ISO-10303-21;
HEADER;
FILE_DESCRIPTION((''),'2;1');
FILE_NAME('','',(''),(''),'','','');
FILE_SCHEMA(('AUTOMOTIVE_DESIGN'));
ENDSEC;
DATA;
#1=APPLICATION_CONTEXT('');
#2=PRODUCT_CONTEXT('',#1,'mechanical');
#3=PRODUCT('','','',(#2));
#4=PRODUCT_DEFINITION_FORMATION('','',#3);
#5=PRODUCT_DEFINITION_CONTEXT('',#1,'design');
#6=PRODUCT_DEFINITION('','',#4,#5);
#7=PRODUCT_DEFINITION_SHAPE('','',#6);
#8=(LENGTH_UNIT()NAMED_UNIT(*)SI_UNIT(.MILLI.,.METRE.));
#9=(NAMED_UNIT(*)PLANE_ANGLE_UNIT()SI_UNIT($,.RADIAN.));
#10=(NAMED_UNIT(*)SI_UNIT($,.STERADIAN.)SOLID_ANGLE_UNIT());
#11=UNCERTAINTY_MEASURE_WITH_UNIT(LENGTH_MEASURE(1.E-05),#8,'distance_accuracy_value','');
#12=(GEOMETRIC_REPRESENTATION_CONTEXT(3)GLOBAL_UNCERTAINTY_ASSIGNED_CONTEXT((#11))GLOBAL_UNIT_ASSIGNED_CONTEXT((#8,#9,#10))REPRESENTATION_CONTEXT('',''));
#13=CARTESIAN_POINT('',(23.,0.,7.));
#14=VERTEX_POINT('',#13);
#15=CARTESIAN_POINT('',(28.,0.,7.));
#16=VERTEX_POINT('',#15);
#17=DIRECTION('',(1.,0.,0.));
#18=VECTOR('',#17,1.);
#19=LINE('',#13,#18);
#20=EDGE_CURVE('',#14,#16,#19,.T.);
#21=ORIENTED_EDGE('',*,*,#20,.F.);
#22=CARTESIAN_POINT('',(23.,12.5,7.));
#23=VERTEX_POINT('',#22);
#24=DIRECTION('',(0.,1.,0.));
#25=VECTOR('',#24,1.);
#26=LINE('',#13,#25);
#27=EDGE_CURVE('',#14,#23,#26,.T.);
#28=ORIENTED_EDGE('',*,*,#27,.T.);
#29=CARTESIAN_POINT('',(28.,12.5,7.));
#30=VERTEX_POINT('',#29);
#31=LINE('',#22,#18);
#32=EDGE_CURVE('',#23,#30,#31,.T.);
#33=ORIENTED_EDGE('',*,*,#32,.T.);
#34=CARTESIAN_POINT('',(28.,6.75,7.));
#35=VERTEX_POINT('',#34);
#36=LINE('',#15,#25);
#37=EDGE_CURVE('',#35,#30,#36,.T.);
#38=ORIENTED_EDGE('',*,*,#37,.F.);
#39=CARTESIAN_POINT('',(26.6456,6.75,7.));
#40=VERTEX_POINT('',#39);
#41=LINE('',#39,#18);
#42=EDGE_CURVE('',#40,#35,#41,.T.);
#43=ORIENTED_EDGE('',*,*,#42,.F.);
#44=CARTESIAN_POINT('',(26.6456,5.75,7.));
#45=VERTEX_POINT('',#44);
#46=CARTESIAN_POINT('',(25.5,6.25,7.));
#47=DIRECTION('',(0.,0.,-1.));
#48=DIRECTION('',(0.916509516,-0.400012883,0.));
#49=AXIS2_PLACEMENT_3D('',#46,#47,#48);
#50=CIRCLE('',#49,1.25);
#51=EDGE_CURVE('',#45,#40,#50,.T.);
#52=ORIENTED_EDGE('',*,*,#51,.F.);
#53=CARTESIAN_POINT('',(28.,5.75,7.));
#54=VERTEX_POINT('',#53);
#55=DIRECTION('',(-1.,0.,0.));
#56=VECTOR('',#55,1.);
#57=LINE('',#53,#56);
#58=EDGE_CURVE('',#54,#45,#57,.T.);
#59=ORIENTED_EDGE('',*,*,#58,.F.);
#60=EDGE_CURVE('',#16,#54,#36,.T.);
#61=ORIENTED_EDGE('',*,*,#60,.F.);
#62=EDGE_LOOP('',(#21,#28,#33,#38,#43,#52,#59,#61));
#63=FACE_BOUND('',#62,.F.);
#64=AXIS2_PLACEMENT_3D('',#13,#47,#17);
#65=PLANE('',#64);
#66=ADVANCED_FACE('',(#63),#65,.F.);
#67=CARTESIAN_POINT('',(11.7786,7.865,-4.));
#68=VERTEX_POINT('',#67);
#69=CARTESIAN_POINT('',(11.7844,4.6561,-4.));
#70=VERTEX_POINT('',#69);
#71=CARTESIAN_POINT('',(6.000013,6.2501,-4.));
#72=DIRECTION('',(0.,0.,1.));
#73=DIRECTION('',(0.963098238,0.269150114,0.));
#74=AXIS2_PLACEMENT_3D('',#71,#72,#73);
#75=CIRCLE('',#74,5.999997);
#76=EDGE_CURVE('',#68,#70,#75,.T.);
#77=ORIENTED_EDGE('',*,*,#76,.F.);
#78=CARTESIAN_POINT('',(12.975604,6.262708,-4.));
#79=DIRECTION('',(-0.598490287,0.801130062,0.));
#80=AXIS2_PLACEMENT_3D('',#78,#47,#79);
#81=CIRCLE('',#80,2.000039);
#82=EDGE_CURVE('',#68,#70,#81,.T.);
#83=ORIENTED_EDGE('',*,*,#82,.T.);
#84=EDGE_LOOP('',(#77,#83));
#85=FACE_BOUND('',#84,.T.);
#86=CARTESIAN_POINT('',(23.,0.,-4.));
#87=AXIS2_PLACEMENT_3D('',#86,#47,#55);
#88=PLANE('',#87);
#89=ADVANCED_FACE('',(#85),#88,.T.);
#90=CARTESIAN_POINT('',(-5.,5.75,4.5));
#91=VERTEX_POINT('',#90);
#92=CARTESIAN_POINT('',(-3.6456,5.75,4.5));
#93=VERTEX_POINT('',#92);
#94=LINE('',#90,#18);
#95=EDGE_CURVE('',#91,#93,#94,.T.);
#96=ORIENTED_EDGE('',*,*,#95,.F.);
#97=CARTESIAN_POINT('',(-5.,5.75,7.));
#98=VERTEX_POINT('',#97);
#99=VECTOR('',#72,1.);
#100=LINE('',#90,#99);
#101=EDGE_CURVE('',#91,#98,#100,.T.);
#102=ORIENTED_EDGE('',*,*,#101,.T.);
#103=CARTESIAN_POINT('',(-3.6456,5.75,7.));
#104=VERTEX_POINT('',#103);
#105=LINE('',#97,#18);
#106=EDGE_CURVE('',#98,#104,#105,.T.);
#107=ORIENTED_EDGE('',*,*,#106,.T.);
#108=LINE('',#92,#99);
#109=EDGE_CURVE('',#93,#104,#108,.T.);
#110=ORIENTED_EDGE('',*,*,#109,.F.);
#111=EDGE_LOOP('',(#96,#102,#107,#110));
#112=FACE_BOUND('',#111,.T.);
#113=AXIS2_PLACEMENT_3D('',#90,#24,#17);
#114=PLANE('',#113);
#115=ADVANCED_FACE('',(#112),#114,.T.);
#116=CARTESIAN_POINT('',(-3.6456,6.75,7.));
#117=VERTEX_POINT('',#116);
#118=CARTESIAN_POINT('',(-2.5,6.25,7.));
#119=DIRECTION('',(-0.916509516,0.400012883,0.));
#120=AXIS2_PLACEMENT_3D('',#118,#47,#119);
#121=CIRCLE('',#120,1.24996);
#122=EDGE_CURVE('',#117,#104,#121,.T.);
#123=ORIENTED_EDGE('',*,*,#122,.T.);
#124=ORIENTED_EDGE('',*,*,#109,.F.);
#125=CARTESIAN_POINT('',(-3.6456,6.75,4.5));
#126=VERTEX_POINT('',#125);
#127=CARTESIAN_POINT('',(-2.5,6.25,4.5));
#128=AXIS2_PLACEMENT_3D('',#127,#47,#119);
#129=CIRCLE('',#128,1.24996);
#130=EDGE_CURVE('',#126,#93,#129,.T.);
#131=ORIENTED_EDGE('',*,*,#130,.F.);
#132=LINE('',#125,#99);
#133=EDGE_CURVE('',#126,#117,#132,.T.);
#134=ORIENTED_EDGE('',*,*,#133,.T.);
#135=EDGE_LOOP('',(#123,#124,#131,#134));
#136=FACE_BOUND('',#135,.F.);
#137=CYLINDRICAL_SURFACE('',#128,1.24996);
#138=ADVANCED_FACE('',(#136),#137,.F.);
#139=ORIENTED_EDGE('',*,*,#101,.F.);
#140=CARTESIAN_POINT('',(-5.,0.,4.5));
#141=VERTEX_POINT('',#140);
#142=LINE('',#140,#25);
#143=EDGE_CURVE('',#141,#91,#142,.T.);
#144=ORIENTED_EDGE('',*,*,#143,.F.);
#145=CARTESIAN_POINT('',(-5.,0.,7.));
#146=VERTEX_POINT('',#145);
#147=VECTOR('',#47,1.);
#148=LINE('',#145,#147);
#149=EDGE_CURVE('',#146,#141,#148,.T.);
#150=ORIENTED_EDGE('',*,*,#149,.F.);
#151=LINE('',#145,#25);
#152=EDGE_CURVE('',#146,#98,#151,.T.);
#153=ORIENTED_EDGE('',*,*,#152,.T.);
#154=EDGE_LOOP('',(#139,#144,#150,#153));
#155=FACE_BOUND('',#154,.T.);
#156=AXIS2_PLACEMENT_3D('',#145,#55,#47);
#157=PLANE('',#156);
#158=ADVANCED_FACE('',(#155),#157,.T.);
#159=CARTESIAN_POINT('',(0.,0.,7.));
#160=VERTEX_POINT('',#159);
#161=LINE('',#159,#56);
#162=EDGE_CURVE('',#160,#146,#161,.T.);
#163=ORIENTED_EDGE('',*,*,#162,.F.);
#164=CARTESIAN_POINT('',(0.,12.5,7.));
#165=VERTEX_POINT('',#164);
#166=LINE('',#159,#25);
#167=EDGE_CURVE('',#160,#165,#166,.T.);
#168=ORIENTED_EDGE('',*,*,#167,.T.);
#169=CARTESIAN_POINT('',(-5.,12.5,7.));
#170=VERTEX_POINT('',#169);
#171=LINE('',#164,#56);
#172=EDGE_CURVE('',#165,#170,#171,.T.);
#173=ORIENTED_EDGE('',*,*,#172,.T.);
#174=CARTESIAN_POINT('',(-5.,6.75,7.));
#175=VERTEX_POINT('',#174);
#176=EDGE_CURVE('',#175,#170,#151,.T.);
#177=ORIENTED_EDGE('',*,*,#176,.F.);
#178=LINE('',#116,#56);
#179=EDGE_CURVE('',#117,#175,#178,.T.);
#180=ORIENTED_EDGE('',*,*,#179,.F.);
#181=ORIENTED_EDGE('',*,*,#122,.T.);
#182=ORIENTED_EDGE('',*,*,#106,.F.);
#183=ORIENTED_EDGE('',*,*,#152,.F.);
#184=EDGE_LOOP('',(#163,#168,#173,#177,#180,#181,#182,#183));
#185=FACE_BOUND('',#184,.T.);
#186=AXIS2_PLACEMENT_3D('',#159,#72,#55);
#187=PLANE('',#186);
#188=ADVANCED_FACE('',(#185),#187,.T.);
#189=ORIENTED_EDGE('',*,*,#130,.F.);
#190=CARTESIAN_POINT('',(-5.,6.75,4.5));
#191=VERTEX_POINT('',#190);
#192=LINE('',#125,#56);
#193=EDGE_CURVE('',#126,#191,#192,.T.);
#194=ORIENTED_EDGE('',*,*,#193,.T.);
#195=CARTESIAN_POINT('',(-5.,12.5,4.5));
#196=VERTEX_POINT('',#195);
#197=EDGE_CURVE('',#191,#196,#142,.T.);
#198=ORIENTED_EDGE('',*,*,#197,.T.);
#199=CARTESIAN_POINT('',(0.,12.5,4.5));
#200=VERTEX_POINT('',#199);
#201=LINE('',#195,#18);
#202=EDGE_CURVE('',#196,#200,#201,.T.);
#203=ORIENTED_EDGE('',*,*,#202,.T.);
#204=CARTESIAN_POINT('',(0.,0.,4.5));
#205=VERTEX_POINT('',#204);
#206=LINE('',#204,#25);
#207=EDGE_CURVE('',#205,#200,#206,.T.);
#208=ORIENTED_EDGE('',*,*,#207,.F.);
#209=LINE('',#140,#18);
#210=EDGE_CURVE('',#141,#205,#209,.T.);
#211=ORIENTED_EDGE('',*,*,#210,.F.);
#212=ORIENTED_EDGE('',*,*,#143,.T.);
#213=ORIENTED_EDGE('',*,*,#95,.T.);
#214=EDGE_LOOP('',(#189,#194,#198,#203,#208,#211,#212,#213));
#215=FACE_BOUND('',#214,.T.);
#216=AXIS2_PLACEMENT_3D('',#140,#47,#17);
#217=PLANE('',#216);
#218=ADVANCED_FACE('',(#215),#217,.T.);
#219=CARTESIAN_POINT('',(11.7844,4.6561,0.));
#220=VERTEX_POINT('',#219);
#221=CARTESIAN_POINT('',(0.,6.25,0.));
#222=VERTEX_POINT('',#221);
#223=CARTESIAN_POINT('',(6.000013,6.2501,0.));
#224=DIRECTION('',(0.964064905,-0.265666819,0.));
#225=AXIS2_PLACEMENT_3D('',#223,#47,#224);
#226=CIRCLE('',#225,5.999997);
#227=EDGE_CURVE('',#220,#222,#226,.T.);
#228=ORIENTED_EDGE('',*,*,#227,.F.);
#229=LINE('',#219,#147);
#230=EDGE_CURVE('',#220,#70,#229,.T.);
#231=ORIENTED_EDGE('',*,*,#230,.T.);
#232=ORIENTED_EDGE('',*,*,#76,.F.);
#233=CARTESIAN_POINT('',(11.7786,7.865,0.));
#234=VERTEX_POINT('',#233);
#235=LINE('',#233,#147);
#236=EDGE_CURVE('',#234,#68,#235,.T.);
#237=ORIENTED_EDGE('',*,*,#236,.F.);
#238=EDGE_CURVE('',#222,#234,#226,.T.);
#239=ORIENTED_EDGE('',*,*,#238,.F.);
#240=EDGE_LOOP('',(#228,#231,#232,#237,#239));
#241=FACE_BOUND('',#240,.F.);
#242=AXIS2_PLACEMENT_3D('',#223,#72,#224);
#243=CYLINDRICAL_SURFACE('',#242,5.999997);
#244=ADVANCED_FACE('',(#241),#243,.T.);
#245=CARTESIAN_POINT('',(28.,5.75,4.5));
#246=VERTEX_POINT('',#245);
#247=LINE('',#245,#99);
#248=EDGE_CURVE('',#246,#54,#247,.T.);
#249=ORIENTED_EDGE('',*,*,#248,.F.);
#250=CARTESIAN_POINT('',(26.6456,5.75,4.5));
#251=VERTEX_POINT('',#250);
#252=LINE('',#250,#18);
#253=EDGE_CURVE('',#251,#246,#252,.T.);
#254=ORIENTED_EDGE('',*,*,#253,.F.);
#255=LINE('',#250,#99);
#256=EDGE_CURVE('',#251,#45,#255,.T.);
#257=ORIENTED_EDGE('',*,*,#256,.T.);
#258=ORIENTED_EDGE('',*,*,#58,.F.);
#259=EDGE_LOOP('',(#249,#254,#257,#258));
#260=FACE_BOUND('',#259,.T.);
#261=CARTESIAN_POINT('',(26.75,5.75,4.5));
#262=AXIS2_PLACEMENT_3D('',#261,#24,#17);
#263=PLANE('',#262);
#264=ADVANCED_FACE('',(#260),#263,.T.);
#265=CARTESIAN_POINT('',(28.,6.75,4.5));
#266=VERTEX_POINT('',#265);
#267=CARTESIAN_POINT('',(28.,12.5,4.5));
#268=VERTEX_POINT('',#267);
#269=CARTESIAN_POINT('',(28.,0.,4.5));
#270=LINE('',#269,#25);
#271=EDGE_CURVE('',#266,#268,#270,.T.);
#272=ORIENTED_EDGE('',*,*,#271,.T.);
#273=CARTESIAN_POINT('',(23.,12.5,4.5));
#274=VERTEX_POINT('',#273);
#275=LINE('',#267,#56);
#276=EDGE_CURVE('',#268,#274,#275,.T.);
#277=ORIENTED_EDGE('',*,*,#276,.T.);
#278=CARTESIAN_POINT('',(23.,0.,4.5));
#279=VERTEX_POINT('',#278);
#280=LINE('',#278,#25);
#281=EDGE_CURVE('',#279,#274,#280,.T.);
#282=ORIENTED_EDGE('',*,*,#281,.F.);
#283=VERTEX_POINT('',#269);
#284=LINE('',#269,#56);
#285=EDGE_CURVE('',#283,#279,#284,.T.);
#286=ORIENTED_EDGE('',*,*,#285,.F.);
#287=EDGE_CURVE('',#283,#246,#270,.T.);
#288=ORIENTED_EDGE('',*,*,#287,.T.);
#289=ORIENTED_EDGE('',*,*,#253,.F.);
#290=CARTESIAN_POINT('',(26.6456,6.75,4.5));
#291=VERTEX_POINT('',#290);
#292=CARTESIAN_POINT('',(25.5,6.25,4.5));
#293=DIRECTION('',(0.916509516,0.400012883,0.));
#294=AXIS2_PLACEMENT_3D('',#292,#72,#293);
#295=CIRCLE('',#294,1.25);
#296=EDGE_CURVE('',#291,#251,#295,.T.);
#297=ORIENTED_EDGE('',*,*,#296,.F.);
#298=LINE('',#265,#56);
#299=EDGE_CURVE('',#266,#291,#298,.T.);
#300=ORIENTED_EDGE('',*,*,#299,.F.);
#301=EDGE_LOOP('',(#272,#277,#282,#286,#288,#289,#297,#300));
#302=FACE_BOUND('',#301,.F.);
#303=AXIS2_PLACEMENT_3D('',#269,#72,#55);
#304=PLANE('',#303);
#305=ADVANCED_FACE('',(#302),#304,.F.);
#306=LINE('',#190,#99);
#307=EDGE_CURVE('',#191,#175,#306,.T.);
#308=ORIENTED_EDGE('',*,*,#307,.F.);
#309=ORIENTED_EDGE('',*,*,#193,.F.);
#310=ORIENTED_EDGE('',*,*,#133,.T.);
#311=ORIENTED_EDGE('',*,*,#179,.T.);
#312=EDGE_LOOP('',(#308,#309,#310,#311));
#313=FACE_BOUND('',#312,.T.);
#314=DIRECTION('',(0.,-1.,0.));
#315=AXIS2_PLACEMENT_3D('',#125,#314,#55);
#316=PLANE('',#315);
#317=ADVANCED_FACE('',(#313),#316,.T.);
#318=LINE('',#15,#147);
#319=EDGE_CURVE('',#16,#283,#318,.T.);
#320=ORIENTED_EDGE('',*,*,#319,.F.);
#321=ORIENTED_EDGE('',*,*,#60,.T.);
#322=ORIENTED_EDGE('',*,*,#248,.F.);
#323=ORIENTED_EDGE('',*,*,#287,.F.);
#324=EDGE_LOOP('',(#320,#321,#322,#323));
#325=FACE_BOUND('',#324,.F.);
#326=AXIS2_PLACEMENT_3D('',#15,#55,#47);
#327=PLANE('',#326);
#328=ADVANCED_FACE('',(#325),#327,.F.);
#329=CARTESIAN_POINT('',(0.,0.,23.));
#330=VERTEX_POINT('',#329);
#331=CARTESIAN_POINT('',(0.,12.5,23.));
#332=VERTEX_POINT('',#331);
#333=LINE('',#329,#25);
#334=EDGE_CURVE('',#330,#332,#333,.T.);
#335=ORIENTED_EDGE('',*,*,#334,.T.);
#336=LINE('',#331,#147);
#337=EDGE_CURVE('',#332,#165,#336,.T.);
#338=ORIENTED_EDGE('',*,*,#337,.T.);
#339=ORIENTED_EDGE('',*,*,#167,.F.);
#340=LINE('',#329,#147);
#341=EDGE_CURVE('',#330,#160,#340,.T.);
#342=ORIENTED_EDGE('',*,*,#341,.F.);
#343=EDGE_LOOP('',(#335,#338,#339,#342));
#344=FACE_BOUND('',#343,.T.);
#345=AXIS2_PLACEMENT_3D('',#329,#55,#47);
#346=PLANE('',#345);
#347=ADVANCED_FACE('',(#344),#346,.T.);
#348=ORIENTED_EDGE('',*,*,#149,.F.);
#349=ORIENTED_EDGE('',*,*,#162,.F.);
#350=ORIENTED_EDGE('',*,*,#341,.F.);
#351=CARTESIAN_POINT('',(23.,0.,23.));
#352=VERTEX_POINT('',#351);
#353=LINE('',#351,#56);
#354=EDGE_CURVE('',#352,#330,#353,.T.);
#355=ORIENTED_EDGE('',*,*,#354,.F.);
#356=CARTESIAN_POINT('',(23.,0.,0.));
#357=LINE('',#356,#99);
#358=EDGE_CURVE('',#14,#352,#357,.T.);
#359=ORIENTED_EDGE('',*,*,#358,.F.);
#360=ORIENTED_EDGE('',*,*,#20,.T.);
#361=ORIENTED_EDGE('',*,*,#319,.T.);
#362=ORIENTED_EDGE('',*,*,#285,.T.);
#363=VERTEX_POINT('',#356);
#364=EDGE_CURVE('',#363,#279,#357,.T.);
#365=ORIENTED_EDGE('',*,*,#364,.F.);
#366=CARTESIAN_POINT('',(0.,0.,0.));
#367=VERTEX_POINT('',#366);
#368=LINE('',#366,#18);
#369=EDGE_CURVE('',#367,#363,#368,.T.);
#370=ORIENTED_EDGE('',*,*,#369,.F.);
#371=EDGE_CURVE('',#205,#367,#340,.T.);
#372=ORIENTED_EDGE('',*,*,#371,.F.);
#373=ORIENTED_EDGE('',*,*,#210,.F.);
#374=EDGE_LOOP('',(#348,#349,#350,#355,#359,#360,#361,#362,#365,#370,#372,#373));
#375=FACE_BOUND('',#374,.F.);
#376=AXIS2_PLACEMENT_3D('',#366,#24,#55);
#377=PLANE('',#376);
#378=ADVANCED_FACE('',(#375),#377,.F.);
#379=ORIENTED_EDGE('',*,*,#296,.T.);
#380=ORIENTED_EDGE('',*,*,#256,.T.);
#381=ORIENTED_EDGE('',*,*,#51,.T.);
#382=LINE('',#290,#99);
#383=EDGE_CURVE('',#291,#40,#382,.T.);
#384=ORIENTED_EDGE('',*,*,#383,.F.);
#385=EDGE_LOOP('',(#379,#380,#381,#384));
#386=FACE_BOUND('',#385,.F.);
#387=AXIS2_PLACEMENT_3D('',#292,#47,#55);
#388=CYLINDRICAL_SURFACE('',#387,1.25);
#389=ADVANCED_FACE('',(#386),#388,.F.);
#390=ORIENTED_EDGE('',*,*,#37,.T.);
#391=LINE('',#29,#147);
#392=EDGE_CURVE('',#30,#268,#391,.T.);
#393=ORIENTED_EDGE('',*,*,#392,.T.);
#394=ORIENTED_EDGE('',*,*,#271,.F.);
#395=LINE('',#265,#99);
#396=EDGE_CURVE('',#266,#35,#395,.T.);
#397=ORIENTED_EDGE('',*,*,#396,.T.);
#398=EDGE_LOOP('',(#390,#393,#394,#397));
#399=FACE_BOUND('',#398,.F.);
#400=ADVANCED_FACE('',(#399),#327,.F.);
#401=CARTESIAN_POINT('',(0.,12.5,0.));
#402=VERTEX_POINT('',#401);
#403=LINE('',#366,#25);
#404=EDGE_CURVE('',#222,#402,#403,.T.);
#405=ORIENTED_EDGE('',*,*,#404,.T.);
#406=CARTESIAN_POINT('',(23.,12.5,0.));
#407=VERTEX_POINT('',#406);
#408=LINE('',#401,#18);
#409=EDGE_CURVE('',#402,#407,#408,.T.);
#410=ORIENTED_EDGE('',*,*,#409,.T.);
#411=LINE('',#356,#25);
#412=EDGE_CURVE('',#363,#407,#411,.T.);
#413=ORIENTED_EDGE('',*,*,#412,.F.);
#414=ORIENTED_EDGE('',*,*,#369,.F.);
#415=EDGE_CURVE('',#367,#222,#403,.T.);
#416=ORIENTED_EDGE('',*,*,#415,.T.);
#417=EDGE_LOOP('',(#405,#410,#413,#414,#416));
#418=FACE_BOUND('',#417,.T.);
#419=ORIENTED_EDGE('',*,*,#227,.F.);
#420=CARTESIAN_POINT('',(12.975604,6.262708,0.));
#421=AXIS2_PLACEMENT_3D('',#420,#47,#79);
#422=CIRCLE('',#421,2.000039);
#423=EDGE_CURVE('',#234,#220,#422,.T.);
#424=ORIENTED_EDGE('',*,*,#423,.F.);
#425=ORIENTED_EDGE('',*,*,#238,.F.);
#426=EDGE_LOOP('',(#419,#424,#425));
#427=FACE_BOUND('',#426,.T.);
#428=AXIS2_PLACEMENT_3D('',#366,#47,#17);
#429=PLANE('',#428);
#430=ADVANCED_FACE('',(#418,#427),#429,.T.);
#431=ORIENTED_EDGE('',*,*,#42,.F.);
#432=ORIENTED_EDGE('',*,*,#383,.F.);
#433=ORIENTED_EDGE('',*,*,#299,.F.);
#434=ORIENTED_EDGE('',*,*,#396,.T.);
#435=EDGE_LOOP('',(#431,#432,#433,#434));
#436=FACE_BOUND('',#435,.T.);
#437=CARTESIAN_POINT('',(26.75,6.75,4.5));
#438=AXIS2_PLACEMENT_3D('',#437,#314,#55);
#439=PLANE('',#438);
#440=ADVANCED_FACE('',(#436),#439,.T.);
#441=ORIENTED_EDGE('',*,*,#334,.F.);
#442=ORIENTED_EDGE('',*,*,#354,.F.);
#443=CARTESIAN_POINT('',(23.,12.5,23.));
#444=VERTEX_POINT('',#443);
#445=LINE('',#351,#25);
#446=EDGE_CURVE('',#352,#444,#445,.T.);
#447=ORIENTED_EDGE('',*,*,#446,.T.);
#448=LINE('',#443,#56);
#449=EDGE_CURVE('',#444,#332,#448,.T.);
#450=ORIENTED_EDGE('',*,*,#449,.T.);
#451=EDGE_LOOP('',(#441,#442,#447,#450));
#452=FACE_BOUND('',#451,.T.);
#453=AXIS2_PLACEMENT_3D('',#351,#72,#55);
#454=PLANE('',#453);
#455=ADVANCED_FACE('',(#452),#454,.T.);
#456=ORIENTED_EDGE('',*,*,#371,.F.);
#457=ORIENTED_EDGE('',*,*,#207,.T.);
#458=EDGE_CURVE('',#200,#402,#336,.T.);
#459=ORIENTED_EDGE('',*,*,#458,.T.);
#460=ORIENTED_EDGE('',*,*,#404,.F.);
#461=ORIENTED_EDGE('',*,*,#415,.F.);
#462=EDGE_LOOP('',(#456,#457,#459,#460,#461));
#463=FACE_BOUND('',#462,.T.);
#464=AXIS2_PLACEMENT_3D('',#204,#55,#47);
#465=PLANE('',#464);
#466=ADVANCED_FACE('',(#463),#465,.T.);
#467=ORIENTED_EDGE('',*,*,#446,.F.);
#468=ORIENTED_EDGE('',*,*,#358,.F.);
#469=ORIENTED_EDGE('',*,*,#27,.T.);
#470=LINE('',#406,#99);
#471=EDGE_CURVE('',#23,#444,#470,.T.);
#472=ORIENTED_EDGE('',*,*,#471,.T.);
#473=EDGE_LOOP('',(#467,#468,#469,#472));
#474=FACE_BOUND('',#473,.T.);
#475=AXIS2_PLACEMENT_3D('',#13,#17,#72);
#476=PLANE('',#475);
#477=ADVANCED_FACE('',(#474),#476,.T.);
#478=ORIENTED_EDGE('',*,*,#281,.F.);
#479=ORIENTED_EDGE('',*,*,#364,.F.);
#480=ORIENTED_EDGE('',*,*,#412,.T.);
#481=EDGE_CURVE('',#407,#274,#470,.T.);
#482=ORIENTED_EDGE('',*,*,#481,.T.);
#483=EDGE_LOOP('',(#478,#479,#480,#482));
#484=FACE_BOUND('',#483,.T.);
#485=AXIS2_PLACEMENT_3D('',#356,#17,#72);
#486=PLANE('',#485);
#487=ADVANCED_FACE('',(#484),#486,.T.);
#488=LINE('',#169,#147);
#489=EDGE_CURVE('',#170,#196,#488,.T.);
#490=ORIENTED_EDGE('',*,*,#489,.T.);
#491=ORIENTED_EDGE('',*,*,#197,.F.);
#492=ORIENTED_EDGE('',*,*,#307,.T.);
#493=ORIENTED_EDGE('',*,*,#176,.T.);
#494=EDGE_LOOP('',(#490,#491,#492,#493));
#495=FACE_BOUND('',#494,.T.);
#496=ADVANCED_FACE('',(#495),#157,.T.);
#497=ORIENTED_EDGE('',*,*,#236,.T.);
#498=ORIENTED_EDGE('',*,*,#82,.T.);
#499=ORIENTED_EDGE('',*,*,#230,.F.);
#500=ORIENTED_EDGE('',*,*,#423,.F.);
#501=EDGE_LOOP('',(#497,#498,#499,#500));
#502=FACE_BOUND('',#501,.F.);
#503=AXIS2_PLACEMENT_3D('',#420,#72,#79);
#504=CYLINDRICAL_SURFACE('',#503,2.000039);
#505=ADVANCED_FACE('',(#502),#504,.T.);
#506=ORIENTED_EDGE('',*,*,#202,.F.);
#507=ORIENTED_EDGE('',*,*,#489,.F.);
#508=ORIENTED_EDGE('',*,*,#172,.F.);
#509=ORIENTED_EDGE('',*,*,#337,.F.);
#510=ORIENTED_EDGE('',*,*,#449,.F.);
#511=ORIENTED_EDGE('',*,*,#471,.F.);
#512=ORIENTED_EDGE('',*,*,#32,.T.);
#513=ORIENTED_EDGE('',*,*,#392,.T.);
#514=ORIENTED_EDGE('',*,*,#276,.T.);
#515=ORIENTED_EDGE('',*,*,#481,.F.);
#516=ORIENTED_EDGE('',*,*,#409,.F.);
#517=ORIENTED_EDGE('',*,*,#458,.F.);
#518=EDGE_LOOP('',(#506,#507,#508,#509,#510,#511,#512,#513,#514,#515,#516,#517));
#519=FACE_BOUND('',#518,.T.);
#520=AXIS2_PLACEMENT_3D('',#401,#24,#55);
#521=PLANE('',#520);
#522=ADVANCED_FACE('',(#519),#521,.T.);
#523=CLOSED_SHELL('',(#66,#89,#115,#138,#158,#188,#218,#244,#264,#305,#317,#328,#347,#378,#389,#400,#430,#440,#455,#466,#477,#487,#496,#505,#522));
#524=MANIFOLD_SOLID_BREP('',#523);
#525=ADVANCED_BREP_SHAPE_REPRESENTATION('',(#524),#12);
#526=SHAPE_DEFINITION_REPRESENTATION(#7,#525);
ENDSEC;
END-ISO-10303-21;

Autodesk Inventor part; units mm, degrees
ref_plane "YZ Plane" through (0, 0, 0) normal (1, 0, 0) x (0, 1, 0)
ref_plane "XZ Plane" through (0, 0, 0) normal (0, 1, 0) x (-1, 0, 0)
ref_plane "XY Plane" through (0, 0, 0) normal (0, 0, 1) x (1, 0, 0)
sketch "Sketch1" plane through (0, 0, 0) normal (0, 1, 0) x (-1, 0, 0)
  line L0 (0, 0) -> (-23, 0)
  line L1 (-23, 0) -> (-23, 23)
  line L2 (-23, 23) -> (0, 23)
  line L3 (0, 23) -> (0, 0)
  line L4 (-23, 0) -> (-23, 7)
  line L5 (-23, 7) -> (-28, 7)
  line L6 (-28, 7) -> (-28, 4.5)
  line L7 (-28, 4.5) -> (-23, 4.5)
  line L8 (0, 7) -> (5, 7)
  line L9 (5, 7) -> (5, 4.5)
  line L10 (5, 4.5) -> (0, 4.5)
  dimension "d0" = 23
  dimension "d1" = 23
  dimension "d2" = 7
  dimension "d3" = 5
  dimension "d4" = 2.5
extrude "Extrusion1" add sketch "Sketch1" along normal blind 12.5
sketch "Sketch2" plane through (23, 0, 0) normal (0, 0, -1) x (-1, 0, 0)
  line L0 (23, 0) -> (23, 6.25)
  arc A0 (11.2156, 4.6561) -> (11.2214, 7.865) centre (17, 6.25) ccw
  arc A1 (11.2214, 7.865) -> (11.2156, 4.6561) centre (10.0244, 6.2627) ccw
extrude "Extrusion2" add sketch "Sketch2" along normal blind 4
sketch "Sketch3" plane through (28, 0, 4.5) normal (0, 0, -1) x (-1, 0, 0)
  line L0 (0, 0) -> (0, 12.5) projected
  line L1 (0, 6.25) -> (2.5, 6.25)
  circle A0 centre (2.5, 6.25) radius 1.25
  point P0 (28, 0)
  dimension "d11" = 2.5
  dimension "d12" = 2.5
extrude "Extrusion3" cut sketch "Sketch3" against normal blind 2.5
sketch "Sketch4" plane through (28, 0, 4.5) normal (0, 0, -1) x (-1, 0, 0)
  circle A0 centre (2.5, 6.25) radius 1.25 projected
  line L0 (0, 0) -> (0, 12.5) projected
  line L1 (1.25, 5.75) -> (0, 5.75)
  line L2 (1.25, 6.75) -> (0, 6.75)
  line L3 (1.25, 6.75) -> (1.3544, 6.75)
  line L4 (1.25, 5.75) -> (1.3544, 5.75)
  line L5 (0, 6.75) -> (0, 5.75)
  arc A1 (1.25, 6.25) -> (1.3544, 6.75) centre (2.5, 6.25) ccw
  point P0 (28, 0)
extrude "Extrusion4" cut sketch "Sketch4" against normal blind 2.5 contours A0 L4 L1 L0 L2 L3
sketch "Sketch5" plane through (28, 0, 4.5) normal (0, 0, -1) x (-1, 0, 0)
  line L0 (5, 0) -> (28, 0) projected
  line L1 (16.5, 0) -> (16.5, 12.5)
  line L2 (5, 12.5) -> (28, 12.5) projected
  arc A0 (1.3544, 5.75) -> (1.3544, 6.75) centre (2.5, 6.25) ccw projected
  line L3 (1.3544, 6.75) -> (0, 6.75) projected
  line L4 (1.3544, 6.75) -> (0, 6.75)
  line L5 (0, 6.75) -> (0, 5.75)
  line L6 (0, 5.75) -> (1.3544, 5.75)
  arc A1 (31.6456, 6.75) -> (31.6456, 5.75) centre (30.5, 6.25) ccw
  line L7 (31.6456, 6.75) -> (33, 6.75)
  line L8 (33, 6.75) -> (33, 5.75)
  line L9 (33, 5.75) -> (31.6456, 5.75)
extrude "Extrusion5" cut sketch "Sketch5" against normal blind 2.5 contours L7 L8 L9 A1
properties part number "Micro servo"
